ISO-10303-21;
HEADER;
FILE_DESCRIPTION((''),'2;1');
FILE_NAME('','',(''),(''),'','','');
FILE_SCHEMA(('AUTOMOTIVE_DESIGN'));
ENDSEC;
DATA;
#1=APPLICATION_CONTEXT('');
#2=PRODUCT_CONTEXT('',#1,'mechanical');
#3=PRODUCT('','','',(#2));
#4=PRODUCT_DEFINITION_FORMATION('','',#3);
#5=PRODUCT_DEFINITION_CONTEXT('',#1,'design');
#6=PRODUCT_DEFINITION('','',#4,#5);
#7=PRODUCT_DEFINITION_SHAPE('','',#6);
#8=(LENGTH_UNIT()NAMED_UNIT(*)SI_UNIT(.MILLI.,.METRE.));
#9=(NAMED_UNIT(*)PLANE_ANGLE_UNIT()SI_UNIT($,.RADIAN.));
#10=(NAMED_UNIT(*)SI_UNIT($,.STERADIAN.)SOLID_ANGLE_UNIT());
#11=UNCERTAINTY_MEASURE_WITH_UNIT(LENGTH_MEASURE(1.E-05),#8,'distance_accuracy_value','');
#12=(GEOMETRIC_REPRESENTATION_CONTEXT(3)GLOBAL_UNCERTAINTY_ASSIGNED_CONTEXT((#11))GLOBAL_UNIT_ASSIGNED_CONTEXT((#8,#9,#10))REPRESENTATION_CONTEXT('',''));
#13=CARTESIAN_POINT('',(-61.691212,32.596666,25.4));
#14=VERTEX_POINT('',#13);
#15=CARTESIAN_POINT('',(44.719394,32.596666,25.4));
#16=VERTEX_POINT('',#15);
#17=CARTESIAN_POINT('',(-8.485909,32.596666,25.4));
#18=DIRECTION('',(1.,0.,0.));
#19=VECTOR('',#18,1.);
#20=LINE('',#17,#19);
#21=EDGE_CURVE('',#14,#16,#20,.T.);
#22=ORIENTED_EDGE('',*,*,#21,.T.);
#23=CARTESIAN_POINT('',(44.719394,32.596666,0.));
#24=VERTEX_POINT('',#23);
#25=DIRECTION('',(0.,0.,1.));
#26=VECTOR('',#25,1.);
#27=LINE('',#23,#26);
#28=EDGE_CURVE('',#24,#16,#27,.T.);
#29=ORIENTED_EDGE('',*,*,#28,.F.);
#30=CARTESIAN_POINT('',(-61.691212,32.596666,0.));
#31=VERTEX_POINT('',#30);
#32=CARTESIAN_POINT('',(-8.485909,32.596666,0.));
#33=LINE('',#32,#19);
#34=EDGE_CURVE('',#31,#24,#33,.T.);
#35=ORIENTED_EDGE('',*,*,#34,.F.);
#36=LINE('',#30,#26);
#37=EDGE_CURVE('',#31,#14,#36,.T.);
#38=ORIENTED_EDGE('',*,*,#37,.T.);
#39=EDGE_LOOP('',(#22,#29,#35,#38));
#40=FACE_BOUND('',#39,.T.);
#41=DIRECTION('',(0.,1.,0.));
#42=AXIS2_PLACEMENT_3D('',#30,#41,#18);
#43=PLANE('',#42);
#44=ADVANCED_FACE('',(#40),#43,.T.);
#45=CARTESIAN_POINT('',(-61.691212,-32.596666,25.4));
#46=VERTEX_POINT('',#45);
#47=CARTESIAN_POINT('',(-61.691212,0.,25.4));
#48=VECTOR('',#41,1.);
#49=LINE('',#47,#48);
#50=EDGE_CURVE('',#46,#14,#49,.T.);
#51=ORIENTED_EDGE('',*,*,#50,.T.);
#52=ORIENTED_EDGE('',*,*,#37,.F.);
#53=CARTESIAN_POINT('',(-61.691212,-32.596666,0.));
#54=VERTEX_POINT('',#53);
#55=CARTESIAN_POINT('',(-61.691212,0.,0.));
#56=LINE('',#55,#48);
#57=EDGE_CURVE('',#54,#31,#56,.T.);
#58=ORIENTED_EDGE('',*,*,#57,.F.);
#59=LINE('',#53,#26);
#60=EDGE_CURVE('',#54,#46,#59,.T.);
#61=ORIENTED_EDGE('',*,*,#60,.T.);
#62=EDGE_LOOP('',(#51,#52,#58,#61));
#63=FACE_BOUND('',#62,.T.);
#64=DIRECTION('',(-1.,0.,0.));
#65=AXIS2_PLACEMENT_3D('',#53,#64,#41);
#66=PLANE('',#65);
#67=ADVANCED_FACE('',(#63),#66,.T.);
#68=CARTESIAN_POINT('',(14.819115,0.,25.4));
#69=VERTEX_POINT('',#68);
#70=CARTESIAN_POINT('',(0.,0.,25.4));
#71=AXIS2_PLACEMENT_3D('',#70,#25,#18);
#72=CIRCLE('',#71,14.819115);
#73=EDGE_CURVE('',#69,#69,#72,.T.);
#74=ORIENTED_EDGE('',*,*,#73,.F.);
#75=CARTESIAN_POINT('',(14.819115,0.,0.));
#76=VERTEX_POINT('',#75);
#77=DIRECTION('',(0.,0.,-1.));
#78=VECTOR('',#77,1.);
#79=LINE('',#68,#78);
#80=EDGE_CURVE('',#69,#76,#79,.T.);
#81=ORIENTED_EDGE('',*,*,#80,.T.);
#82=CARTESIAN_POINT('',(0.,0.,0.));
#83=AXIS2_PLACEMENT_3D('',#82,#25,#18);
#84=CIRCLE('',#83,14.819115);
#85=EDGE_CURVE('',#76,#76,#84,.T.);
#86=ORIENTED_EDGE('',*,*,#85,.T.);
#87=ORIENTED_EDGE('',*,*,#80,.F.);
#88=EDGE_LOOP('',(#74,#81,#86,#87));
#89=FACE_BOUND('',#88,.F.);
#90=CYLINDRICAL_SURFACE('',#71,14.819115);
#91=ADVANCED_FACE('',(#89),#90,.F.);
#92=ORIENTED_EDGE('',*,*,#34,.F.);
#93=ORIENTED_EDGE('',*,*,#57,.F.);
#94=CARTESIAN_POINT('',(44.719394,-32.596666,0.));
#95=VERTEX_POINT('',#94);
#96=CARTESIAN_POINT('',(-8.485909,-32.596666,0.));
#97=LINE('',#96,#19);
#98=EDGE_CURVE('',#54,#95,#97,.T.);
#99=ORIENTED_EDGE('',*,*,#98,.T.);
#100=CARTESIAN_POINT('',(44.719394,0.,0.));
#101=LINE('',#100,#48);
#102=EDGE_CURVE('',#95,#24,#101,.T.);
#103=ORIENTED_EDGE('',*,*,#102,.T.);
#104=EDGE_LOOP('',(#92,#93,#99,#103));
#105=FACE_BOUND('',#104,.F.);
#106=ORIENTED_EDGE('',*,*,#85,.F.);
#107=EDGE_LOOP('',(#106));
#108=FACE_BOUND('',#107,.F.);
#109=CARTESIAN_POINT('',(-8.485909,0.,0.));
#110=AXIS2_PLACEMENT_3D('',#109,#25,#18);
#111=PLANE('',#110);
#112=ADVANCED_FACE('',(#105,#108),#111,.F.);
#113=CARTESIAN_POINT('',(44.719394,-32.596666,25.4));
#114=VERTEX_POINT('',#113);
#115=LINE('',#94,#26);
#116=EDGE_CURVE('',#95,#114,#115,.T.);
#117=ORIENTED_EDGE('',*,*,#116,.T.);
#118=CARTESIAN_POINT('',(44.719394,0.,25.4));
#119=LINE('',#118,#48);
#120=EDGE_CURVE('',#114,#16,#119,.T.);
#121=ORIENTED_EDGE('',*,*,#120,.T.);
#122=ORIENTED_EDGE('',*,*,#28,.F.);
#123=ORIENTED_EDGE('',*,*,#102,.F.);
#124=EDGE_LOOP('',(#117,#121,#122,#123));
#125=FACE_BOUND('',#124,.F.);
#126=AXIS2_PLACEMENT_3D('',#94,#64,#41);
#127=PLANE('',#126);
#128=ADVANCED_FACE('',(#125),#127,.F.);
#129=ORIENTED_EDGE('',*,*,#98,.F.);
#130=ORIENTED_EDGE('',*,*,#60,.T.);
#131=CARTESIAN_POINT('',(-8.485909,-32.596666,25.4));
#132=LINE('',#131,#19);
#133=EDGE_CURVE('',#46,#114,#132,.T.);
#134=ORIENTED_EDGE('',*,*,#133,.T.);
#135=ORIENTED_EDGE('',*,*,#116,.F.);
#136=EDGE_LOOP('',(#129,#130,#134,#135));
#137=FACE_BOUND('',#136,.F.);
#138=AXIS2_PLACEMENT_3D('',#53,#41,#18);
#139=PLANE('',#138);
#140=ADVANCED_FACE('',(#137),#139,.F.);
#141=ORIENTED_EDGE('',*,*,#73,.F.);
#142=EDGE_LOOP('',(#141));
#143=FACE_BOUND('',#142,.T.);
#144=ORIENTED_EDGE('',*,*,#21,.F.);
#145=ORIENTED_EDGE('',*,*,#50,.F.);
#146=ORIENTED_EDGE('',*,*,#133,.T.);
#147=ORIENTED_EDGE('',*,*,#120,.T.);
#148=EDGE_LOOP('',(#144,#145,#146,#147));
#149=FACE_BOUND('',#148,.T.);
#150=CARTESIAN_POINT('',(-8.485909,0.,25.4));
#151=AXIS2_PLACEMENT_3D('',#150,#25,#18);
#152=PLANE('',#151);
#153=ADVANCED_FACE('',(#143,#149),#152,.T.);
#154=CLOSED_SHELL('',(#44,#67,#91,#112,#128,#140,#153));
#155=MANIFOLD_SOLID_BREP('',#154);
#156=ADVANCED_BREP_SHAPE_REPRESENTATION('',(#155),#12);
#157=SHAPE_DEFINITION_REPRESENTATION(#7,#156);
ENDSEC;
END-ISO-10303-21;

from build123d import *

# Parameters (mm, degrees)
F0_W     = 106.410607
F0_H     = 65.193332
F1_DEPTH = 25.4
F2_R     = 14.819115
F3_DEPTH = 125.476


with BuildPart() as f1:
    # F0 (on Top) → F1 (new body)
    with BuildSketch(Plane.XY):
        with Locations((-8.485909, 0)):
            Rectangle(F0_W, F0_H)
    extrude(amount=F1_DEPTH)

    # F2 (on face) → F3 (cut)
    with BuildSketch(Plane.XY.offset(25.4)):
        Circle(F2_R)
    extrude(amount=-F3_DEPTH, mode=Mode.SUBTRACT)


solid = f1.part
